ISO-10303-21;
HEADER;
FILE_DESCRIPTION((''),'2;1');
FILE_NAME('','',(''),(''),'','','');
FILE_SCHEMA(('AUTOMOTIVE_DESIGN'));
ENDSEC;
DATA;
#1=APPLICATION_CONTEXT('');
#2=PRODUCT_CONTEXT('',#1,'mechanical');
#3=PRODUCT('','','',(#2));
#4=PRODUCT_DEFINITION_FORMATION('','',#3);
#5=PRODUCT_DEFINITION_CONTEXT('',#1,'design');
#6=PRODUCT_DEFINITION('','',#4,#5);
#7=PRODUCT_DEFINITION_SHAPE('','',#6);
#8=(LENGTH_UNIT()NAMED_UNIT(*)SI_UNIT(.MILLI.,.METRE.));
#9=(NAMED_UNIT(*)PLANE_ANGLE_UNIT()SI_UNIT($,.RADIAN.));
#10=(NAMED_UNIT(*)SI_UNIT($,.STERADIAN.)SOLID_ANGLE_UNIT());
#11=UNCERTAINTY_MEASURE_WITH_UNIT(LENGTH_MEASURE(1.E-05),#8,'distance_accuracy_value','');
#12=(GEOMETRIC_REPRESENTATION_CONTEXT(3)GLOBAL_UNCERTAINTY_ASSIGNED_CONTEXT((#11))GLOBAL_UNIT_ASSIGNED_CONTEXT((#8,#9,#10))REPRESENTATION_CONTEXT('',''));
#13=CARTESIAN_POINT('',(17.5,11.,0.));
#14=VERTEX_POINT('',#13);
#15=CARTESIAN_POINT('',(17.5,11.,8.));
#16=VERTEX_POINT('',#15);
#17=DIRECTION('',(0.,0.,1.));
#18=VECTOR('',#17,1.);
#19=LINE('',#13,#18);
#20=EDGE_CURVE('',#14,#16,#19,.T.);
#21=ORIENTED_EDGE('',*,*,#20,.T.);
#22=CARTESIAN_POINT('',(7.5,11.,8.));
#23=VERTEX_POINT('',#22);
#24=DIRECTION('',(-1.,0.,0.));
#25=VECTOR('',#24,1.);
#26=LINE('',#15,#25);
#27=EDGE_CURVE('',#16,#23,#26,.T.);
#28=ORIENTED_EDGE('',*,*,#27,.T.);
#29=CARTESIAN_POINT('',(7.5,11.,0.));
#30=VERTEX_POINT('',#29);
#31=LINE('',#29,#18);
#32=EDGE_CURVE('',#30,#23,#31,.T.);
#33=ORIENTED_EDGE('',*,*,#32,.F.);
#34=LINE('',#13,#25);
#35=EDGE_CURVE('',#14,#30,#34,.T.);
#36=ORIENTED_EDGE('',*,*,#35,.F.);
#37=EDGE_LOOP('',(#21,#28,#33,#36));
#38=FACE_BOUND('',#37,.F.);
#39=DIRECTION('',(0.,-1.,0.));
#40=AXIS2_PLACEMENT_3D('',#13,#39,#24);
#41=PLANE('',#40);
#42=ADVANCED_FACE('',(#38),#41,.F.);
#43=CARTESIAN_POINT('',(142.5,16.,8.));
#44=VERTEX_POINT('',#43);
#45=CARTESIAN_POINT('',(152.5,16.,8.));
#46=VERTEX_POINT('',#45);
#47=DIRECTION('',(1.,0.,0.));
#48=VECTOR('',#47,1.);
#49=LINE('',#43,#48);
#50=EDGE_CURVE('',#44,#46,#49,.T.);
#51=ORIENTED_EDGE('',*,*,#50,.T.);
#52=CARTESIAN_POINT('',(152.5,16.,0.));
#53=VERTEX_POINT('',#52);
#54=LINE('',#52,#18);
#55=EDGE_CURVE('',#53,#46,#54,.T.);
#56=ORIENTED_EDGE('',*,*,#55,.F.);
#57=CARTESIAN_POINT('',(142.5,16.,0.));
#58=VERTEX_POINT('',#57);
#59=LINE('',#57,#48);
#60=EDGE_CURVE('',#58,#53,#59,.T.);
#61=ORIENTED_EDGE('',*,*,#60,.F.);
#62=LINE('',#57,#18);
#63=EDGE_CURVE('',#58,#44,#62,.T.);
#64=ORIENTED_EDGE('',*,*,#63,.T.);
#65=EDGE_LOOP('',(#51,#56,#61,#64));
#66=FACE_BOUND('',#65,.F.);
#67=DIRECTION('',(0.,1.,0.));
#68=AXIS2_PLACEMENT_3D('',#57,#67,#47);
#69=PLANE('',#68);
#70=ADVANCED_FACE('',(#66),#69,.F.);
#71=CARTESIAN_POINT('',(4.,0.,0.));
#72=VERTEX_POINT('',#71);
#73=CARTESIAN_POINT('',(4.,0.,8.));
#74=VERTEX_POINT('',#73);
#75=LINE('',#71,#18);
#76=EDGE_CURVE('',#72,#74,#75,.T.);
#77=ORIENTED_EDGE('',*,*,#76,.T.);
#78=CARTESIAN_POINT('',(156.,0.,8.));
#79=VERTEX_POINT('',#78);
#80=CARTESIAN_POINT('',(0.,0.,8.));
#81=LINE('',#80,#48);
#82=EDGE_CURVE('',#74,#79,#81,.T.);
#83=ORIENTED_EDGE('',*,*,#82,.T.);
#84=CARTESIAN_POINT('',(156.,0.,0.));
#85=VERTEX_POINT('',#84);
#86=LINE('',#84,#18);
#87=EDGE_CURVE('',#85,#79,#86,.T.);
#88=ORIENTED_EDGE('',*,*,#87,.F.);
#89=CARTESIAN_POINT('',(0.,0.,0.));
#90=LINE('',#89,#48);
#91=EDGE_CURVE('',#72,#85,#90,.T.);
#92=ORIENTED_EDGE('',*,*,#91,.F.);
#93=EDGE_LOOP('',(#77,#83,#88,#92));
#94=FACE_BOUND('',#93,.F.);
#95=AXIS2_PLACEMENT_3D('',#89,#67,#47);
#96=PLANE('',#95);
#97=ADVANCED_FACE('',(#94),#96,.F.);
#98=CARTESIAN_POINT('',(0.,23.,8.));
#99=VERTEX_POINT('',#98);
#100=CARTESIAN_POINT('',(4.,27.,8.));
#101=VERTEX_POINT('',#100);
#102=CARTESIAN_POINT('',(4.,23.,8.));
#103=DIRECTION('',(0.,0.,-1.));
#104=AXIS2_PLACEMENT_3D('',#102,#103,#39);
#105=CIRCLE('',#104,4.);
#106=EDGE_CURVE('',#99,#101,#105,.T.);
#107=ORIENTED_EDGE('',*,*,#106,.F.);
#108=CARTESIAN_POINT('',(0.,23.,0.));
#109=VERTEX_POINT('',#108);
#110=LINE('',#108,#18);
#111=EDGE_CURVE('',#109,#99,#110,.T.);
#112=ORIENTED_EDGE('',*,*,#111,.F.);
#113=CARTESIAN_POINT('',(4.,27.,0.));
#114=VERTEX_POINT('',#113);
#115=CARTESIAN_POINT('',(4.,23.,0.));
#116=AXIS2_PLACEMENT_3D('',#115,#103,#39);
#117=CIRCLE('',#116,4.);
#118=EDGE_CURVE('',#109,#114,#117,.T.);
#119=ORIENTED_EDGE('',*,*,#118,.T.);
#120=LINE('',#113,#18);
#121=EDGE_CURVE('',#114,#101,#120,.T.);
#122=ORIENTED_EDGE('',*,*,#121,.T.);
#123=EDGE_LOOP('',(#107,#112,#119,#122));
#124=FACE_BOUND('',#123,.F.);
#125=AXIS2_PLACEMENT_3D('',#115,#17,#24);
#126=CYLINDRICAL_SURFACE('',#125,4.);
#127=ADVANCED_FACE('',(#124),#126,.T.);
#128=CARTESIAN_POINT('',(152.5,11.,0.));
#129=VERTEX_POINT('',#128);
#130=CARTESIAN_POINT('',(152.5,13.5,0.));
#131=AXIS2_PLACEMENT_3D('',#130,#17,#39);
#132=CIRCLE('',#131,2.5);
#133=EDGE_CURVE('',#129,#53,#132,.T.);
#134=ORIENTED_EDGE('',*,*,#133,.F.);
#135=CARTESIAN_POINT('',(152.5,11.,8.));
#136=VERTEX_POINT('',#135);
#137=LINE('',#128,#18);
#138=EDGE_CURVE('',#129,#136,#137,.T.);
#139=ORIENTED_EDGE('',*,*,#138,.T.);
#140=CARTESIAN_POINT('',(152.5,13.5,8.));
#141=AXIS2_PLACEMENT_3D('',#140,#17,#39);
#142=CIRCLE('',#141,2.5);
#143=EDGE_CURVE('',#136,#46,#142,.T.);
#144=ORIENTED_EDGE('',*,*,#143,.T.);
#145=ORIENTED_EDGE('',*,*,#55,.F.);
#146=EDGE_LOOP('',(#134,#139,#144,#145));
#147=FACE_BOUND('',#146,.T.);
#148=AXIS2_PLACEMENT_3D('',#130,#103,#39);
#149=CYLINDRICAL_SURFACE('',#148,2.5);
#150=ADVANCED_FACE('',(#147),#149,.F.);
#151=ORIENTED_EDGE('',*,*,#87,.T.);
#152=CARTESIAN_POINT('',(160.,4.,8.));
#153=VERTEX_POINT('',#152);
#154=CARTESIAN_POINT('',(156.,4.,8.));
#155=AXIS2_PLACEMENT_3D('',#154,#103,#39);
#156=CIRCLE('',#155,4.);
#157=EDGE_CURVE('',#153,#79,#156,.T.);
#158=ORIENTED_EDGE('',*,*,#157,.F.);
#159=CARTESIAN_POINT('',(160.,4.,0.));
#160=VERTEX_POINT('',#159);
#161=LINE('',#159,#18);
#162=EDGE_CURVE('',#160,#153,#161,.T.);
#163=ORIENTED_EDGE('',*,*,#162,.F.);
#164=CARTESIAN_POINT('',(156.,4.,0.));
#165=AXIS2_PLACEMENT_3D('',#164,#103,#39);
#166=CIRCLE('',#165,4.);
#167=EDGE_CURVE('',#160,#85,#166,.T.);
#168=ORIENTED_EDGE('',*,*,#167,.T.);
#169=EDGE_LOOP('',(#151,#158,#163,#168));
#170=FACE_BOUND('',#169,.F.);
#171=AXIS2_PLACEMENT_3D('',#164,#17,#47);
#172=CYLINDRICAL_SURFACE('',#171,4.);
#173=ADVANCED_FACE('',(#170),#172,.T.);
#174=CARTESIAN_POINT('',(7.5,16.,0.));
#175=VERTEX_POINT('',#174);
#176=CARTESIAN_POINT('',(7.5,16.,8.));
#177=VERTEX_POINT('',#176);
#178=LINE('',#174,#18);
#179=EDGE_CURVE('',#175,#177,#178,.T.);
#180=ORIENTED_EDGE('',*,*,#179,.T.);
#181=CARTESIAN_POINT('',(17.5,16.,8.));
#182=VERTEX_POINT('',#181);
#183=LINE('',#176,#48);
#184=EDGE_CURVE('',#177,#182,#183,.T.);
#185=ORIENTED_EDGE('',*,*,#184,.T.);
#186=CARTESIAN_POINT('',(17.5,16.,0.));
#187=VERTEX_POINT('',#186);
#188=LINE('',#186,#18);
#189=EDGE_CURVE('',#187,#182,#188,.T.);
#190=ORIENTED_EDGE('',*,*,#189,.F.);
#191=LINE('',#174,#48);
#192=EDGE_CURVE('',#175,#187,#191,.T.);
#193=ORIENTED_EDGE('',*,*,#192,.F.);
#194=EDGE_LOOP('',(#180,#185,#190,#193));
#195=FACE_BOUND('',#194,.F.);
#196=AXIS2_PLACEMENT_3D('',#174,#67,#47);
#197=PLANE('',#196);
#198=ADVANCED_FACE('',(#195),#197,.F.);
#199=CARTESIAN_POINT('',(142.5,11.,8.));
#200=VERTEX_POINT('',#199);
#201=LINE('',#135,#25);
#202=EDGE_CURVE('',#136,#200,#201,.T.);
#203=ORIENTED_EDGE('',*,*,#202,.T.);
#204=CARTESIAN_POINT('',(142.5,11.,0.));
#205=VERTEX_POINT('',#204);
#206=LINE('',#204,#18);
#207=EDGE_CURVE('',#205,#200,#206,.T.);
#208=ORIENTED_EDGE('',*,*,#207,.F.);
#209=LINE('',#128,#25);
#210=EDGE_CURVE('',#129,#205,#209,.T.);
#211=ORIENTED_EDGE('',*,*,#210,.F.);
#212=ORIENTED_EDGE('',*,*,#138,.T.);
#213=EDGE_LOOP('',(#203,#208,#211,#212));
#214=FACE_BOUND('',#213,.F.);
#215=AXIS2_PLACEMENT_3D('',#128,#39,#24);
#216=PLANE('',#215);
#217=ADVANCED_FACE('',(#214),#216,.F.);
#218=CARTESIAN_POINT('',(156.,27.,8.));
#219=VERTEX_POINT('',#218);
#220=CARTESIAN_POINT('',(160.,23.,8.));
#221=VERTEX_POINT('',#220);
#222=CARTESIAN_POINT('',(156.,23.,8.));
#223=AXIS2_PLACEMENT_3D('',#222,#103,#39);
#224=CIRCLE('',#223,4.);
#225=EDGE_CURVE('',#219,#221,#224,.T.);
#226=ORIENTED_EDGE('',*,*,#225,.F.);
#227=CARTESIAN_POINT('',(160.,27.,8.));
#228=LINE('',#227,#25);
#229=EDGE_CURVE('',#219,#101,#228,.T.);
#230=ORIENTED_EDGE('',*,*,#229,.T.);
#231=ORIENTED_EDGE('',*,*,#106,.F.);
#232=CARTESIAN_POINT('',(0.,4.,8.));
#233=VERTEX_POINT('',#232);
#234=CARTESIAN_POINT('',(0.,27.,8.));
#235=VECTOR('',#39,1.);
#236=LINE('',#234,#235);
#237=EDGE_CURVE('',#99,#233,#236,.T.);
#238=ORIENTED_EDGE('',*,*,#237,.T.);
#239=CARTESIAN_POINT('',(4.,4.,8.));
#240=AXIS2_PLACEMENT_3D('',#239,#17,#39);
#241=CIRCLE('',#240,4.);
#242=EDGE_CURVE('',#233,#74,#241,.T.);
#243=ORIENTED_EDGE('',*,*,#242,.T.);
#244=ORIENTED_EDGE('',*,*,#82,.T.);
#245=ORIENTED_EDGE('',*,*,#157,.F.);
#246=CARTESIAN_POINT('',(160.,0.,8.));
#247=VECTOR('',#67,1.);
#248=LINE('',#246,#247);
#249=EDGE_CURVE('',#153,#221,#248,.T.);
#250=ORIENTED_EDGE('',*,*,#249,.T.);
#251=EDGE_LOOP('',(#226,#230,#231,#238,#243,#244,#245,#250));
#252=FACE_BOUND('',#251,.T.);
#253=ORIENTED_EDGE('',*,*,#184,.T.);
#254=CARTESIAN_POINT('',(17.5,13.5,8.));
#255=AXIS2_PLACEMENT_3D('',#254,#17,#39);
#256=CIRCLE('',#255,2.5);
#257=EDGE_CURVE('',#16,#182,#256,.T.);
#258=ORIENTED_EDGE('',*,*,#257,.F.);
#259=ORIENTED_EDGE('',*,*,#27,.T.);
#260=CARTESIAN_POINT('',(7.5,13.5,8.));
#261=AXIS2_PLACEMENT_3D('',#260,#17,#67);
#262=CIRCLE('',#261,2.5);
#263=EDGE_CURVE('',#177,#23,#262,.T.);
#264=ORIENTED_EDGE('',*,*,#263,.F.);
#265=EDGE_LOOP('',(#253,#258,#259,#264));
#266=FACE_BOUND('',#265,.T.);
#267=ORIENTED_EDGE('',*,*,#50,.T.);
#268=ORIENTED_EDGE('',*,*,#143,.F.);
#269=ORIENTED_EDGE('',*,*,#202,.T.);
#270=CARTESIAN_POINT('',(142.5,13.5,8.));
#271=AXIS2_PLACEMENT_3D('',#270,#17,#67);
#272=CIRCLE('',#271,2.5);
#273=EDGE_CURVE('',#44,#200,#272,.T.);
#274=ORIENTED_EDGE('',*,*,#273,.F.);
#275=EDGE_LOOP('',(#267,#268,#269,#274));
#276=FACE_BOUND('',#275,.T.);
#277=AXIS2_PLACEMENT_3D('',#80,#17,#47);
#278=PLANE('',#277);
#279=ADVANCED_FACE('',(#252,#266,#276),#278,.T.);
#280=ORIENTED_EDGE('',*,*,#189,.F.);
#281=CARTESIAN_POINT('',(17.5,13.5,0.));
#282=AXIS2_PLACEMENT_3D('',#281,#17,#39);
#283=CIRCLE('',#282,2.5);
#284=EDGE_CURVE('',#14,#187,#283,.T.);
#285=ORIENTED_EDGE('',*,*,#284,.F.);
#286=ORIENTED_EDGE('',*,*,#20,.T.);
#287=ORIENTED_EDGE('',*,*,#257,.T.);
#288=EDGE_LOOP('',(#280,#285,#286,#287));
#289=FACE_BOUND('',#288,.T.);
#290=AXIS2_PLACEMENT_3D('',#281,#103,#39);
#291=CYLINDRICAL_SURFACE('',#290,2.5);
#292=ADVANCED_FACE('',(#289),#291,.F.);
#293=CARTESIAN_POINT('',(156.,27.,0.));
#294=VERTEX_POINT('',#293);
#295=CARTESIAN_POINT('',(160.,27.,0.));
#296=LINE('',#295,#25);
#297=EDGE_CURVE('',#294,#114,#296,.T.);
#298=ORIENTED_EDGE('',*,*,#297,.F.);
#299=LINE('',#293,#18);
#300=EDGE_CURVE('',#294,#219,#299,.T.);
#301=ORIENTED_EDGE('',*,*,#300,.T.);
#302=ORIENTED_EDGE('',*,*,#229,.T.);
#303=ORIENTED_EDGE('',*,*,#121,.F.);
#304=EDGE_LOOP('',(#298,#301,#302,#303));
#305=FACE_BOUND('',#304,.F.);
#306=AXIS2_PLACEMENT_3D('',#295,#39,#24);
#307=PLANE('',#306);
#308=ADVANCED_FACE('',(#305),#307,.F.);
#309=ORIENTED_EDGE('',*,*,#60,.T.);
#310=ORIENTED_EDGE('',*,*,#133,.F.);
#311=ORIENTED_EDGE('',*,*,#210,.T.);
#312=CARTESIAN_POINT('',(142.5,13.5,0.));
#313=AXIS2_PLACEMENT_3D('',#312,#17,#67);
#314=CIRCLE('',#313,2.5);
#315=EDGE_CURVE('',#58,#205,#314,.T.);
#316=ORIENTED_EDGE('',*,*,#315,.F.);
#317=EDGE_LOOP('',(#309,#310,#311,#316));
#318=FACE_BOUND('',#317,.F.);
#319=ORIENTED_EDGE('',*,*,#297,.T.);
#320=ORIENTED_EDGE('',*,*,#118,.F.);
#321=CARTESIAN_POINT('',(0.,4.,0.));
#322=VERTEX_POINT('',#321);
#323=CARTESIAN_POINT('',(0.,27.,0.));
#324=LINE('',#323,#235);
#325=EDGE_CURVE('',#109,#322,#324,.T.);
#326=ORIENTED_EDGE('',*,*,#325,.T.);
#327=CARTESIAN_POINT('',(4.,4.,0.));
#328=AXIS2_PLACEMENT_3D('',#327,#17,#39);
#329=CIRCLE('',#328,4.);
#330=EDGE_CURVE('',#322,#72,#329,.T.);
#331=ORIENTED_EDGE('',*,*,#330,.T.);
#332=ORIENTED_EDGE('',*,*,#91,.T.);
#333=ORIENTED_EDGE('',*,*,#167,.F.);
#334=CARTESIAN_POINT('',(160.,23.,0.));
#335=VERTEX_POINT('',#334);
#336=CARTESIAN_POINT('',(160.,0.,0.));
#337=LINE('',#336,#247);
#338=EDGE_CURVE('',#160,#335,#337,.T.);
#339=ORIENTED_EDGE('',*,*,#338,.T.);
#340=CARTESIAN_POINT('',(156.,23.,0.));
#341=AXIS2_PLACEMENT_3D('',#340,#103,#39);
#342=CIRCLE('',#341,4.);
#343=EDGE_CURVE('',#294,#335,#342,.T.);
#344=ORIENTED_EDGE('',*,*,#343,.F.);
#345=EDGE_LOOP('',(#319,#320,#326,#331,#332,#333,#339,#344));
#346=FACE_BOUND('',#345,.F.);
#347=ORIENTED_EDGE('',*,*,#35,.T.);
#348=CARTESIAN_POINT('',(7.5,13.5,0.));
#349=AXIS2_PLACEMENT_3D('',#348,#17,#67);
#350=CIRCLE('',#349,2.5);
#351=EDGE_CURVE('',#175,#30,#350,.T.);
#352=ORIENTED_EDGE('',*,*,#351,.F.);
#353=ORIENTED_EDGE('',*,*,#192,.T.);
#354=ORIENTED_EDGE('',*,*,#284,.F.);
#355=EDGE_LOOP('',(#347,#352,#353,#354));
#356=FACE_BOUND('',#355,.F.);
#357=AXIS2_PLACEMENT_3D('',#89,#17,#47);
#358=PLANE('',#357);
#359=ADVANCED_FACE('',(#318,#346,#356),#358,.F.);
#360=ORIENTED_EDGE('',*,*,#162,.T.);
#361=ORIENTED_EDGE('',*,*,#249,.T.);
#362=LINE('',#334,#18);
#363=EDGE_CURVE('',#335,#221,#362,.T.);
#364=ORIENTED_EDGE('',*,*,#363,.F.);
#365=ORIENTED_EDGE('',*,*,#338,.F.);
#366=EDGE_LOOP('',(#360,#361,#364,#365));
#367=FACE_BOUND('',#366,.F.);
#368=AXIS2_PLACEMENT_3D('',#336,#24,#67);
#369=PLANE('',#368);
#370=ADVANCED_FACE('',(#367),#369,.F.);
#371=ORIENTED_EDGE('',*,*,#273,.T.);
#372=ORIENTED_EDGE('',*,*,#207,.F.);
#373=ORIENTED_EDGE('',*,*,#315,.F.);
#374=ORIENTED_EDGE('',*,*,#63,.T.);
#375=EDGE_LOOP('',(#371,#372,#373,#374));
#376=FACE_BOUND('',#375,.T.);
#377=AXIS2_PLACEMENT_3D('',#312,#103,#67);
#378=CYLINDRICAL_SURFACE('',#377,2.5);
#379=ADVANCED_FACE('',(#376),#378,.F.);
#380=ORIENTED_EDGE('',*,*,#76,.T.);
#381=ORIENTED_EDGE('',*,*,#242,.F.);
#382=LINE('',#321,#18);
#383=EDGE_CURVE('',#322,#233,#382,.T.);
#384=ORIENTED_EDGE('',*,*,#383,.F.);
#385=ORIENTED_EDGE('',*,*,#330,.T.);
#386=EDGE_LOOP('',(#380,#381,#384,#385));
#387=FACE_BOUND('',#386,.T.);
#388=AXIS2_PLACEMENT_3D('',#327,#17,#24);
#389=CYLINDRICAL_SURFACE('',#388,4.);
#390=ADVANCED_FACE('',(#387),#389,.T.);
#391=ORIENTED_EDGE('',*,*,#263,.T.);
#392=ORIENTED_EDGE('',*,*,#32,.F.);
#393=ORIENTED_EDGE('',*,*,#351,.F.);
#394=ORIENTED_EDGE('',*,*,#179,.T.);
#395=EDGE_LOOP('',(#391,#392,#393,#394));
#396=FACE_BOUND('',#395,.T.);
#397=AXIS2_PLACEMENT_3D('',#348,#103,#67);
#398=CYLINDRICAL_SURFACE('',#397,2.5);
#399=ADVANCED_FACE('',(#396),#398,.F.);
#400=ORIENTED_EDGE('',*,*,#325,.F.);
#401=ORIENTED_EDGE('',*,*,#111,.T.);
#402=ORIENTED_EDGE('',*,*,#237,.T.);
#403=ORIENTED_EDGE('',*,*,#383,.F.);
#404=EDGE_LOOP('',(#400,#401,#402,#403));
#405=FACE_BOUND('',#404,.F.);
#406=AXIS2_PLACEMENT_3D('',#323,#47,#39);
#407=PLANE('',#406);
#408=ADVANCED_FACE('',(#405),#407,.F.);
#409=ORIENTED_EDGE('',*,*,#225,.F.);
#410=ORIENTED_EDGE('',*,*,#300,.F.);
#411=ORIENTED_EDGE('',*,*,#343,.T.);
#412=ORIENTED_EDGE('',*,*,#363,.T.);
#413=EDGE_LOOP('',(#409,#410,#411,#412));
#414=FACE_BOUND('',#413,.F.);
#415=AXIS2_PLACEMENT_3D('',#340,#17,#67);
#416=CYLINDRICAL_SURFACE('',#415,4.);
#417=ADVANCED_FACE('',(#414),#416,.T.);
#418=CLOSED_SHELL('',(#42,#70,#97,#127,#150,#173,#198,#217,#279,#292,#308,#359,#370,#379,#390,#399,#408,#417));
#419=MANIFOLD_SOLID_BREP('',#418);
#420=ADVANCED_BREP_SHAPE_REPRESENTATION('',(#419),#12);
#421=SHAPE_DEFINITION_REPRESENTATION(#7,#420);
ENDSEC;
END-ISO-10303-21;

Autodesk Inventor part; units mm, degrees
ref_plane "YZ Plane" through (0, 0, 0) normal (1, 0, 0) x (0, 1, 0)
ref_plane "XZ Plane" through (0, 0, 0) normal (0, 1, 0) x (-1, 0, 0)
ref_plane "XY Plane" through (0, 0, 0) normal (0, 0, 1) x (1, 0, 0)
sketch "Sketch1" plane through (0, 0, 0) normal (0, 0, 1) x (1, 0, 0)
  line L0 (0, 0) -> (160, 0)
  line L1 (160, 0) -> (160, 27)
  line L2 (160, 27) -> (0, 27)
  line L3 (0, 27) -> (0, 0)
  line L4 (152.5, 11) -> (142.5, 11)
  arc A0 (142.5, 16) -> (142.5, 11) centre (142.5, 13.5) ccw
  line L5 (142.5, 16) -> (152.5, 16)
  arc A1 (152.5, 11) -> (152.5, 16) centre (152.5, 13.5) ccw
  line L6 (7.5, 16) -> (17.5, 16)
  arc A2 (17.5, 11) -> (17.5, 16) centre (17.5, 13.5) ccw
  line L7 (17.5, 11) -> (7.5, 11)
  arc A3 (7.5, 16) -> (7.5, 11) centre (7.5, 13.5) ccw
  dimension "d0" = 160
  dimension "d1" = 27
  dimension "d2" = 10
  dimension "d3" = 10
extrude "Extrusion1" add sketch "Sketch1" along normal blind 8
fillet "Fillet1" radius 4 4 edges at (0, 27, 4) (0, 0, 4) (160, 0, 4) (160, 27, 4)
properties part number "Support moteur"
